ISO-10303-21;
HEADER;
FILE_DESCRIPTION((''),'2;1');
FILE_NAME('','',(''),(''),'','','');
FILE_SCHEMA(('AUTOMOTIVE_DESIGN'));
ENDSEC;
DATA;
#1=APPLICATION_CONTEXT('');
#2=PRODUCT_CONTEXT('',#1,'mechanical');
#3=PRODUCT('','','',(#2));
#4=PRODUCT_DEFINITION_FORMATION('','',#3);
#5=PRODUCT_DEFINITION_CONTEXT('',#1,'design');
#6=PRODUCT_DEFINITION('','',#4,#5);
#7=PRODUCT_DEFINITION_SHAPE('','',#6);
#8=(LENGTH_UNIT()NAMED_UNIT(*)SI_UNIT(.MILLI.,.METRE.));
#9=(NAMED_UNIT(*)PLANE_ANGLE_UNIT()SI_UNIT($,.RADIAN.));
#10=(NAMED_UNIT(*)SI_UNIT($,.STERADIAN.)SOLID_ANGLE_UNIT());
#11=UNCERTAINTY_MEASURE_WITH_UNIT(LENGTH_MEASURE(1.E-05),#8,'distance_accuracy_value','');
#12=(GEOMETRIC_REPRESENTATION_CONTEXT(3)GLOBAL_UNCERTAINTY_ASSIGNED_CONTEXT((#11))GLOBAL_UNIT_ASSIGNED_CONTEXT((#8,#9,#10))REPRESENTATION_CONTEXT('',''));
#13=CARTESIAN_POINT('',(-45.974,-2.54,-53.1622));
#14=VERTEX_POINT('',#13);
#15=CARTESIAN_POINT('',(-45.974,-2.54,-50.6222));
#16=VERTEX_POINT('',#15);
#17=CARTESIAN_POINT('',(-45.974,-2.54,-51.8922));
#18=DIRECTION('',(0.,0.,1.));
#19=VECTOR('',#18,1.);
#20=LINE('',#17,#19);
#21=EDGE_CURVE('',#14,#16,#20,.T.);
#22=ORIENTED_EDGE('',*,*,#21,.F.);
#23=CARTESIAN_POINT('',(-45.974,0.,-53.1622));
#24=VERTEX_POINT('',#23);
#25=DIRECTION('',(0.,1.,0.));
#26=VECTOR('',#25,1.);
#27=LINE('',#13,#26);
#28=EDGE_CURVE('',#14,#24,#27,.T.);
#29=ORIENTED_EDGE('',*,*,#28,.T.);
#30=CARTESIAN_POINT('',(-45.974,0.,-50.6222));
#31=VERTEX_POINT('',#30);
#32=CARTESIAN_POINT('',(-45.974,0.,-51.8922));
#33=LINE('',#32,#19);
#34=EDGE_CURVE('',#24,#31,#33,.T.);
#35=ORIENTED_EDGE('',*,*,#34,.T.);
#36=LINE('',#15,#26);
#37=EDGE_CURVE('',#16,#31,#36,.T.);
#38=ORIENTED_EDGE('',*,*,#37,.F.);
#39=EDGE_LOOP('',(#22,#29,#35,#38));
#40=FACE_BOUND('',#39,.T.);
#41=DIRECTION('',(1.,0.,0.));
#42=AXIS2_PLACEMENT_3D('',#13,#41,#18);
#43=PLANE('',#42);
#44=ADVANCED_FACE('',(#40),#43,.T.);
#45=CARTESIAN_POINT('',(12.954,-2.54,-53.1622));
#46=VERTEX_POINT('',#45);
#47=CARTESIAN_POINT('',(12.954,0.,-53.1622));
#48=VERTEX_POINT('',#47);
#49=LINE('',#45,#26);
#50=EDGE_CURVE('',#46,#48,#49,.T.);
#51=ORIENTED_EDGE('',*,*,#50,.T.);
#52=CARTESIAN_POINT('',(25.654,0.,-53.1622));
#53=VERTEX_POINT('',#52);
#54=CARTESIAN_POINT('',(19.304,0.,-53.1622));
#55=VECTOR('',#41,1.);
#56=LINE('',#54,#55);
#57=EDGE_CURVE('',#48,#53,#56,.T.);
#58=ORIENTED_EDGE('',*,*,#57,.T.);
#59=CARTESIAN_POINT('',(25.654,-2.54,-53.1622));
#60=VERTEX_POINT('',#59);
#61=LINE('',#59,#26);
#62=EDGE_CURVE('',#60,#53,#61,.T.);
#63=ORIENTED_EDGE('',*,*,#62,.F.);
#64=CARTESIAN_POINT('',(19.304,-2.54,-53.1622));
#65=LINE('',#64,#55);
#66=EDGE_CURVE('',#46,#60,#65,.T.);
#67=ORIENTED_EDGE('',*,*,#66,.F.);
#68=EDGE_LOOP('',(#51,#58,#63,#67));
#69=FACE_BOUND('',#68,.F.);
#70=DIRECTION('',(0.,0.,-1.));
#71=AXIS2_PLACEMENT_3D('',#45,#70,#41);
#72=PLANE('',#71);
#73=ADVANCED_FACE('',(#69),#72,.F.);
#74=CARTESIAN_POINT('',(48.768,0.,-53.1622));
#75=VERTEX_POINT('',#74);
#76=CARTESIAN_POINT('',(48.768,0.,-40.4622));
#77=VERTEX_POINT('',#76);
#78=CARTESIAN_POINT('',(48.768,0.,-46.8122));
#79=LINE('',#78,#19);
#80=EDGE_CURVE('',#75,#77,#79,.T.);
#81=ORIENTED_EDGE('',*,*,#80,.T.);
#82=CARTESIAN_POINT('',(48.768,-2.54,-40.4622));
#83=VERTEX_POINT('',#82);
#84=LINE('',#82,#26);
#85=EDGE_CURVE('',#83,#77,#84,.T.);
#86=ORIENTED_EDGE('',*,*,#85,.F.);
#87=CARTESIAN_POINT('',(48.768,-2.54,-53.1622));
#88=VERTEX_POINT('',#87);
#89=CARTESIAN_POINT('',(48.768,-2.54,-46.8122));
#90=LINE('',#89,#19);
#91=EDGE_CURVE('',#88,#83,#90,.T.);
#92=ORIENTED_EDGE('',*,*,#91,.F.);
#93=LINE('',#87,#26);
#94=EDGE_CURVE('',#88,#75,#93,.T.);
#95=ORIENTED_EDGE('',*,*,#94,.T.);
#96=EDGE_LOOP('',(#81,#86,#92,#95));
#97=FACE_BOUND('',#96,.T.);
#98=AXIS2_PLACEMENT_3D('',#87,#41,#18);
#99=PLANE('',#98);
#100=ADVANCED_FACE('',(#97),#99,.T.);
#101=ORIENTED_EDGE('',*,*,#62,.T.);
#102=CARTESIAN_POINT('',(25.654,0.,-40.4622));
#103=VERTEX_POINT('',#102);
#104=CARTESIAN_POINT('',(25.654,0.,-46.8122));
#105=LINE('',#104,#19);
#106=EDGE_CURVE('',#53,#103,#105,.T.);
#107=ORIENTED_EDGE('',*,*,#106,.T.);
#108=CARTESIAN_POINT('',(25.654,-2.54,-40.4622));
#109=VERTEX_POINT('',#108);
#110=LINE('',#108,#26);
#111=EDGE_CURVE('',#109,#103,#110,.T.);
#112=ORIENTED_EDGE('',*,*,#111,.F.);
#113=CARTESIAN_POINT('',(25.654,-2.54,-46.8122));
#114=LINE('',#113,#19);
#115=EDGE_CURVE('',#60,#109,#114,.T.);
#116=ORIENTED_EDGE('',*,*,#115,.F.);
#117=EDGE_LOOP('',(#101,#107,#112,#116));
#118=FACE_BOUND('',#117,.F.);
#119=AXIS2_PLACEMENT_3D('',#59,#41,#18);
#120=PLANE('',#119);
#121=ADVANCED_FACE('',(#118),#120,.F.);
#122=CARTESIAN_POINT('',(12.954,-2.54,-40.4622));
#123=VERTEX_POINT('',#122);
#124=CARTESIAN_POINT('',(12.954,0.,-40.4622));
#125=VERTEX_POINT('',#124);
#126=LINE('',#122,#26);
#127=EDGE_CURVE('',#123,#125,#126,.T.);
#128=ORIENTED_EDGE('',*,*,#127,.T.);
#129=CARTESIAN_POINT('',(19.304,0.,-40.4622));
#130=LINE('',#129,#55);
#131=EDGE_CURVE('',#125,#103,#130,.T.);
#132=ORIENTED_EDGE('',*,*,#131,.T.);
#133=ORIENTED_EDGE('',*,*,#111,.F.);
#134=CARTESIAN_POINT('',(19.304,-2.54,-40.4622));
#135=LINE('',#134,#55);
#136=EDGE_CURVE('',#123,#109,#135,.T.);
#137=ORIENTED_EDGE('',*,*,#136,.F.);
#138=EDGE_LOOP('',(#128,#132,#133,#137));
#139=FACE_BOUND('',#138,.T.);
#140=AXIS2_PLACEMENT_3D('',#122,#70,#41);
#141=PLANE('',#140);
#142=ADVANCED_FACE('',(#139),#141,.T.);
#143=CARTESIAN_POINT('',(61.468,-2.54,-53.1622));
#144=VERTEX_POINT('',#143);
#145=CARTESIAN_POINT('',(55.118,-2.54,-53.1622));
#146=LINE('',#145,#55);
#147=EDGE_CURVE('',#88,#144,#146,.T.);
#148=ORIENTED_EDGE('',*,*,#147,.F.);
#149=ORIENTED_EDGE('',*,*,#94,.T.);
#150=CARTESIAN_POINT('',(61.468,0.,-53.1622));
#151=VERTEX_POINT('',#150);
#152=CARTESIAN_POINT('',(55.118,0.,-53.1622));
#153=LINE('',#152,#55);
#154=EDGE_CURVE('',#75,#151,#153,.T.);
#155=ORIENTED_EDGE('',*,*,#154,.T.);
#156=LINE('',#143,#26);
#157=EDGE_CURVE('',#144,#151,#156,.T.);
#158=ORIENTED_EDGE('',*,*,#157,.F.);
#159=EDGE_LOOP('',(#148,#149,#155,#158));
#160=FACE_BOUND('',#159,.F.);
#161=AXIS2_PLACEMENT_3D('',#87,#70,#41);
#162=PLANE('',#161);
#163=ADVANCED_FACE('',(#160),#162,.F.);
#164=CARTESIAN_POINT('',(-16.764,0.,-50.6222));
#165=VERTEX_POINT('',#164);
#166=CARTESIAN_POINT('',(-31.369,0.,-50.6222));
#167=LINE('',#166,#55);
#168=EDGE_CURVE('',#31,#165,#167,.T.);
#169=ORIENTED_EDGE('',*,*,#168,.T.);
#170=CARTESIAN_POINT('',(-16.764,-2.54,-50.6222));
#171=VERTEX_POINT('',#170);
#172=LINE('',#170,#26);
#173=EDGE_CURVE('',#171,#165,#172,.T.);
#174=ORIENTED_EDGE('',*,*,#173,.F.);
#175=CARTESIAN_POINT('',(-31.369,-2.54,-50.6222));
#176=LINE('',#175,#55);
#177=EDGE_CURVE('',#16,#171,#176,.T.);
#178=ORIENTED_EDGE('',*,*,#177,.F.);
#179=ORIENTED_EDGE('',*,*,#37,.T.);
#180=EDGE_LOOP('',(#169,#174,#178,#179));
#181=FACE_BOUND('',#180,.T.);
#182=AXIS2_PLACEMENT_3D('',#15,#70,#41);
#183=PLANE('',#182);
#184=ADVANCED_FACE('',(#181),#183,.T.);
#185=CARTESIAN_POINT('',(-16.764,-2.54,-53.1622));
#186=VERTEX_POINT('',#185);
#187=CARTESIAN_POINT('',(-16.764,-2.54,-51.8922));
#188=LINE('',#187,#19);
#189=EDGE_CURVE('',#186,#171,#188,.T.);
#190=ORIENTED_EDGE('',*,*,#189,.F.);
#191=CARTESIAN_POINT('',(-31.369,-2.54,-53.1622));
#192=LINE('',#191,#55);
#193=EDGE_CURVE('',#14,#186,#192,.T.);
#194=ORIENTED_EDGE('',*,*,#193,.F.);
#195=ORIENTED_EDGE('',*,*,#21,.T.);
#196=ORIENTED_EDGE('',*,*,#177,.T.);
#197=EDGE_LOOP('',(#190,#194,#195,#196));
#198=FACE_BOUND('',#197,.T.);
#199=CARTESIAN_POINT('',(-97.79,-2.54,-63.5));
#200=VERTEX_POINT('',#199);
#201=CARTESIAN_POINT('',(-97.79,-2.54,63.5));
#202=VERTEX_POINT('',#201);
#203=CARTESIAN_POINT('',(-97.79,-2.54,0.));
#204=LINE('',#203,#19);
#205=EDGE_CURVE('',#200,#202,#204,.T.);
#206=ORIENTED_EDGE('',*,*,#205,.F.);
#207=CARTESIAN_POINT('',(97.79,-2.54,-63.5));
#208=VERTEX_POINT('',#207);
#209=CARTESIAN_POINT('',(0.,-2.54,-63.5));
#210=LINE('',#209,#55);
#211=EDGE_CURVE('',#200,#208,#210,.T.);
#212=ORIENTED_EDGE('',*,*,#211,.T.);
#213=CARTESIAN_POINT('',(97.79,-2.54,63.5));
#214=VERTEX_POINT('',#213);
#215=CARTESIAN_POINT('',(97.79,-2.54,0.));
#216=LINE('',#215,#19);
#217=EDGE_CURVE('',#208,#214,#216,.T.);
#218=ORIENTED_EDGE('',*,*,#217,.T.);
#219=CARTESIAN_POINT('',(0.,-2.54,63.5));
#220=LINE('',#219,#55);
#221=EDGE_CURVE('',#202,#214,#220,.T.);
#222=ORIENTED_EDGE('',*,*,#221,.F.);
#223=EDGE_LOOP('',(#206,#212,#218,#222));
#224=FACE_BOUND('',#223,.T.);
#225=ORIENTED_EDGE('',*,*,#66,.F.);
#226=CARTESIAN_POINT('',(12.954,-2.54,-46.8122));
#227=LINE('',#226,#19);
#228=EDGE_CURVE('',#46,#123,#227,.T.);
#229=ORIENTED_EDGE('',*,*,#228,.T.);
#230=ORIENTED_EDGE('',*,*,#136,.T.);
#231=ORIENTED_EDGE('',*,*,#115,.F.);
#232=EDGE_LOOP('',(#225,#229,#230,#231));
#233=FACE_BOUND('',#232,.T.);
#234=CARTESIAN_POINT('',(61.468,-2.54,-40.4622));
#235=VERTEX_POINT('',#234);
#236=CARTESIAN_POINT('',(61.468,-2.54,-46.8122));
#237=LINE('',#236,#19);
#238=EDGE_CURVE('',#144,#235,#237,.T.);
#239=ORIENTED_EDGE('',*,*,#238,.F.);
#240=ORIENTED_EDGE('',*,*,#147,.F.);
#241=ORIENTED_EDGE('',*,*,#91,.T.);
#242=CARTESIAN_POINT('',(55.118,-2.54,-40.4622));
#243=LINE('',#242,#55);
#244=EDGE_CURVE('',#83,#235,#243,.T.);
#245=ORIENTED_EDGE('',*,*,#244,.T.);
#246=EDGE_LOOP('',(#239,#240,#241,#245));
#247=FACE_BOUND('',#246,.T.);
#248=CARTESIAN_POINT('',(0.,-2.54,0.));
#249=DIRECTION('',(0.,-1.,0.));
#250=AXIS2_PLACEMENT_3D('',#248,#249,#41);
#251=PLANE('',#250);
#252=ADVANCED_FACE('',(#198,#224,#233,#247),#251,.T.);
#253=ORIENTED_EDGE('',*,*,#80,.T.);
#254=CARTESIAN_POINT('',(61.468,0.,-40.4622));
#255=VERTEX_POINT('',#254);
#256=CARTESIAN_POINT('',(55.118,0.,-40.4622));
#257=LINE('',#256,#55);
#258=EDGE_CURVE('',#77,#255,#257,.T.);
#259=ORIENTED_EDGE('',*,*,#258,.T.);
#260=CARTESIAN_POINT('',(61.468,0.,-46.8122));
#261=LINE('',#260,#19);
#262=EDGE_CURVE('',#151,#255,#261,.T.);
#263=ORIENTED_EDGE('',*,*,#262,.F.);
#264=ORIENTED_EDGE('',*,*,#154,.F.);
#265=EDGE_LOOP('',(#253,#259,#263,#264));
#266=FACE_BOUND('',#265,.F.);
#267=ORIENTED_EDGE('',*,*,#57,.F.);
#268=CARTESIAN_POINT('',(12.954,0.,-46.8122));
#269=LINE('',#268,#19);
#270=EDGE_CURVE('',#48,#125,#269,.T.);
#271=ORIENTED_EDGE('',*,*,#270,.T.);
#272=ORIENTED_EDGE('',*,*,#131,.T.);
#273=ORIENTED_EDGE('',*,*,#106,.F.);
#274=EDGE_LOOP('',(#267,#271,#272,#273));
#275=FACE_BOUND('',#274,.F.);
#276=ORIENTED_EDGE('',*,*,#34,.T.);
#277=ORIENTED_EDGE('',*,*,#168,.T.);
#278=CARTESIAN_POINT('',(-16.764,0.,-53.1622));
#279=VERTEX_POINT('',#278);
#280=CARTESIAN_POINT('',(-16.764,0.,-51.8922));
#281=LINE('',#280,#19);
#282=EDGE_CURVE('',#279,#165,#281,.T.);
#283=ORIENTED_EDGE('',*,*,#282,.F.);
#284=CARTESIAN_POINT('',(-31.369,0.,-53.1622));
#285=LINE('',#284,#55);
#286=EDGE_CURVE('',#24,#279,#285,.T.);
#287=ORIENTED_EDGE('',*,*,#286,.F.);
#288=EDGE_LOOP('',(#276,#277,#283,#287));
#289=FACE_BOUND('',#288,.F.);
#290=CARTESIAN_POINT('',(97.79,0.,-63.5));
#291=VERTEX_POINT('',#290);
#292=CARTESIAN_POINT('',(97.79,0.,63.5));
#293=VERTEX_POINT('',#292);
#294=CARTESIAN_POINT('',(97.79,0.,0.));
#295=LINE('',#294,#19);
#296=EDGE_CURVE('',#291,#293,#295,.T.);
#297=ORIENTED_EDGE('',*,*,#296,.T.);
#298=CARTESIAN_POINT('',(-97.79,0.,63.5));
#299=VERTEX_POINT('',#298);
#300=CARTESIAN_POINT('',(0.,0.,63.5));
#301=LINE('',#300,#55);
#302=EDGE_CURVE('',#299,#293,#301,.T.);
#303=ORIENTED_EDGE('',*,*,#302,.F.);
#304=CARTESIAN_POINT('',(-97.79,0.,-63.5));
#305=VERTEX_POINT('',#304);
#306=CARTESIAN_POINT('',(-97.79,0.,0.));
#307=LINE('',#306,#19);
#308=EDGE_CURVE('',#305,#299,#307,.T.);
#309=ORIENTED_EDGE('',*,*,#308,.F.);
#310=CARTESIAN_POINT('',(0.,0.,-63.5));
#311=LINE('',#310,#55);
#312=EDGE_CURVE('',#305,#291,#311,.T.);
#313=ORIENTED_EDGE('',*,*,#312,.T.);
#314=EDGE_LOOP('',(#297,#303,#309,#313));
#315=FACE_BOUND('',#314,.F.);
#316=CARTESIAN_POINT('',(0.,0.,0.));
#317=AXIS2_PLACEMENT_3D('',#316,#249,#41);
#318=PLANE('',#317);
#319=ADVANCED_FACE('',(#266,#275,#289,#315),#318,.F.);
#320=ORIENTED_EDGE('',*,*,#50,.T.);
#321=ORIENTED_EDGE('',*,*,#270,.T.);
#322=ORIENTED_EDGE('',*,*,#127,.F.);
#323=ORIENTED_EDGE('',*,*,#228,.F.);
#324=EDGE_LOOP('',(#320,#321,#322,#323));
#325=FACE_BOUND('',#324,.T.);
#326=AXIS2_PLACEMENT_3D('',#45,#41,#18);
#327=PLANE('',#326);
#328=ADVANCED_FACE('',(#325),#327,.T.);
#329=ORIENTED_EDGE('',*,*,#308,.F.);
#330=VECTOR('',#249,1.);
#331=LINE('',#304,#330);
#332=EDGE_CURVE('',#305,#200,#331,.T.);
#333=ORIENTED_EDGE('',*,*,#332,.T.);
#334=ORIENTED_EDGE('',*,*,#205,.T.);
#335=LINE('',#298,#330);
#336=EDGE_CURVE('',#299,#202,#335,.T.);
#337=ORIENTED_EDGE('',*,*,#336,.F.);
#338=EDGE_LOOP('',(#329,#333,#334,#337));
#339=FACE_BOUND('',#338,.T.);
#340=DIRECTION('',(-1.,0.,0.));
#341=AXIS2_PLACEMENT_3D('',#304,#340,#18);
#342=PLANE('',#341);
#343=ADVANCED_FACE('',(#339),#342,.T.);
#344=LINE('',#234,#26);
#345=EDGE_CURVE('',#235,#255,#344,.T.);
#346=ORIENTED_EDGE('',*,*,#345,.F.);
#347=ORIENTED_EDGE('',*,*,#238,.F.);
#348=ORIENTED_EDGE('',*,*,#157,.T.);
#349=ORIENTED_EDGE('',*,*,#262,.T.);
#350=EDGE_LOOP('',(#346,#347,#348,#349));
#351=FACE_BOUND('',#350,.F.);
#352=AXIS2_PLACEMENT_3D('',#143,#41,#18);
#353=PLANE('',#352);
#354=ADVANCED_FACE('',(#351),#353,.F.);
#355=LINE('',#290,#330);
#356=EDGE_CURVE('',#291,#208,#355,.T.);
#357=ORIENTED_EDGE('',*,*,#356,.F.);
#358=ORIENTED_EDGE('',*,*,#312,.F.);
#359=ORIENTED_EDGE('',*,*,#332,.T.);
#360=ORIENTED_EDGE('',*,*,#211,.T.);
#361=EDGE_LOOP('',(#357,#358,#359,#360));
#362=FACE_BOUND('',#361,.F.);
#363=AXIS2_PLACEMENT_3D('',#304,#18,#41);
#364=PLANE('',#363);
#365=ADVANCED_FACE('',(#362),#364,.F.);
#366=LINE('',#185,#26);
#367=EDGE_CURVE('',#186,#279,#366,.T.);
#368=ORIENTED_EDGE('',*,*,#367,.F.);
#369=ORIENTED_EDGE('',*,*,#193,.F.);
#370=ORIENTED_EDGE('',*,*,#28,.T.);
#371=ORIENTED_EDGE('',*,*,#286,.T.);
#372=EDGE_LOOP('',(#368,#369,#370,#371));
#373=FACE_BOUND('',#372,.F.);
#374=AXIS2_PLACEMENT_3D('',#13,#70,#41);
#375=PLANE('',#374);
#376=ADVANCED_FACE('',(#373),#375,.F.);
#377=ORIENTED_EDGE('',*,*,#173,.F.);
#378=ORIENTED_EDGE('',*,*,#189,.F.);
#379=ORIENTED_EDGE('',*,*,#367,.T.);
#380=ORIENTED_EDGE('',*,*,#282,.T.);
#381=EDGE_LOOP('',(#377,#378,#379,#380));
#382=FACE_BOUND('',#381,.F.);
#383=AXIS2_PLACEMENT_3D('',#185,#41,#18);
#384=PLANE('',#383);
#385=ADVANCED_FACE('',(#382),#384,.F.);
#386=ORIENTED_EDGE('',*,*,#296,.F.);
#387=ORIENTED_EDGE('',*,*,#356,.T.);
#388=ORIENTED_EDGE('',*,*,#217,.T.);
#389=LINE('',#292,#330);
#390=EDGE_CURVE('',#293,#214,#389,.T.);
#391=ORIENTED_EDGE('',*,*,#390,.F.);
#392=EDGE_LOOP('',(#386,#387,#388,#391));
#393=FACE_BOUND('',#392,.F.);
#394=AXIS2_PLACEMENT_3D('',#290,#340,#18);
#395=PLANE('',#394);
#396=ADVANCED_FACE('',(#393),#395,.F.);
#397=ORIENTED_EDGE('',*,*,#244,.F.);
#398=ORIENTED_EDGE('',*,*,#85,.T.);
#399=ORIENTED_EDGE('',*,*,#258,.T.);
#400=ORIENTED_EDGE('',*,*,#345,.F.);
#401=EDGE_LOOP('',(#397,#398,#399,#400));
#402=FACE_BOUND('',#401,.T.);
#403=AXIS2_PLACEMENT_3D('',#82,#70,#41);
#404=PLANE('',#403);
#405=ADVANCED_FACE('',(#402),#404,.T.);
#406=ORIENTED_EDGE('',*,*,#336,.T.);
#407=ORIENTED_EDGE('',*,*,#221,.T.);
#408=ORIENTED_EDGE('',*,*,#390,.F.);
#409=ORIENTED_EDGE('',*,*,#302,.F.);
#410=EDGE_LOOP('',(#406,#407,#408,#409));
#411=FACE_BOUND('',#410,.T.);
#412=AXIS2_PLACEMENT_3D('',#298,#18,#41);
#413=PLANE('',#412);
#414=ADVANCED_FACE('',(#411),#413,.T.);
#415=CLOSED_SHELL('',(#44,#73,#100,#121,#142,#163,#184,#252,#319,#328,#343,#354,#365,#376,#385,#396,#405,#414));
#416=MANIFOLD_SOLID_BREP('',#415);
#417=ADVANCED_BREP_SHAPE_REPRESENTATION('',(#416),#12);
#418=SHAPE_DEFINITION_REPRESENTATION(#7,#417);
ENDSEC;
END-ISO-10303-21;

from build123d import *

# Parameters (mm, degrees)
F0_W     = 195.58
F0_H     = 127
F1_DEPTH = 2.54
F2_W     = 29.21
F2_H     = 2.54
F2_W_2   = 12.7
F2_H_2   = 12.7
F3_DEPTH = 2.54


with BuildPart() as f1:
    # F0 (on Front) → F1 (new body)
    with BuildSketch(Plane.XZ):
        Rectangle(F0_W, F0_H)
    extrude(amount=F1_DEPTH)

    # F2 (on face) → F3 (cut)
    with BuildSketch(Plane.XZ.offset(2.54)):
        with Locations((-31.369, -51.8922)):
            Rectangle(F2_W, F2_H)
        with Locations((19.304, -46.8122)):
            Rectangle(F2_W_2, F2_H_2)
        with Locations((55.118, -46.8122)):
            Rectangle(F2_W_2, F2_H_2)
    extrude(amount=-F3_DEPTH, mode=Mode.SUBTRACT)


solid = f1.part
